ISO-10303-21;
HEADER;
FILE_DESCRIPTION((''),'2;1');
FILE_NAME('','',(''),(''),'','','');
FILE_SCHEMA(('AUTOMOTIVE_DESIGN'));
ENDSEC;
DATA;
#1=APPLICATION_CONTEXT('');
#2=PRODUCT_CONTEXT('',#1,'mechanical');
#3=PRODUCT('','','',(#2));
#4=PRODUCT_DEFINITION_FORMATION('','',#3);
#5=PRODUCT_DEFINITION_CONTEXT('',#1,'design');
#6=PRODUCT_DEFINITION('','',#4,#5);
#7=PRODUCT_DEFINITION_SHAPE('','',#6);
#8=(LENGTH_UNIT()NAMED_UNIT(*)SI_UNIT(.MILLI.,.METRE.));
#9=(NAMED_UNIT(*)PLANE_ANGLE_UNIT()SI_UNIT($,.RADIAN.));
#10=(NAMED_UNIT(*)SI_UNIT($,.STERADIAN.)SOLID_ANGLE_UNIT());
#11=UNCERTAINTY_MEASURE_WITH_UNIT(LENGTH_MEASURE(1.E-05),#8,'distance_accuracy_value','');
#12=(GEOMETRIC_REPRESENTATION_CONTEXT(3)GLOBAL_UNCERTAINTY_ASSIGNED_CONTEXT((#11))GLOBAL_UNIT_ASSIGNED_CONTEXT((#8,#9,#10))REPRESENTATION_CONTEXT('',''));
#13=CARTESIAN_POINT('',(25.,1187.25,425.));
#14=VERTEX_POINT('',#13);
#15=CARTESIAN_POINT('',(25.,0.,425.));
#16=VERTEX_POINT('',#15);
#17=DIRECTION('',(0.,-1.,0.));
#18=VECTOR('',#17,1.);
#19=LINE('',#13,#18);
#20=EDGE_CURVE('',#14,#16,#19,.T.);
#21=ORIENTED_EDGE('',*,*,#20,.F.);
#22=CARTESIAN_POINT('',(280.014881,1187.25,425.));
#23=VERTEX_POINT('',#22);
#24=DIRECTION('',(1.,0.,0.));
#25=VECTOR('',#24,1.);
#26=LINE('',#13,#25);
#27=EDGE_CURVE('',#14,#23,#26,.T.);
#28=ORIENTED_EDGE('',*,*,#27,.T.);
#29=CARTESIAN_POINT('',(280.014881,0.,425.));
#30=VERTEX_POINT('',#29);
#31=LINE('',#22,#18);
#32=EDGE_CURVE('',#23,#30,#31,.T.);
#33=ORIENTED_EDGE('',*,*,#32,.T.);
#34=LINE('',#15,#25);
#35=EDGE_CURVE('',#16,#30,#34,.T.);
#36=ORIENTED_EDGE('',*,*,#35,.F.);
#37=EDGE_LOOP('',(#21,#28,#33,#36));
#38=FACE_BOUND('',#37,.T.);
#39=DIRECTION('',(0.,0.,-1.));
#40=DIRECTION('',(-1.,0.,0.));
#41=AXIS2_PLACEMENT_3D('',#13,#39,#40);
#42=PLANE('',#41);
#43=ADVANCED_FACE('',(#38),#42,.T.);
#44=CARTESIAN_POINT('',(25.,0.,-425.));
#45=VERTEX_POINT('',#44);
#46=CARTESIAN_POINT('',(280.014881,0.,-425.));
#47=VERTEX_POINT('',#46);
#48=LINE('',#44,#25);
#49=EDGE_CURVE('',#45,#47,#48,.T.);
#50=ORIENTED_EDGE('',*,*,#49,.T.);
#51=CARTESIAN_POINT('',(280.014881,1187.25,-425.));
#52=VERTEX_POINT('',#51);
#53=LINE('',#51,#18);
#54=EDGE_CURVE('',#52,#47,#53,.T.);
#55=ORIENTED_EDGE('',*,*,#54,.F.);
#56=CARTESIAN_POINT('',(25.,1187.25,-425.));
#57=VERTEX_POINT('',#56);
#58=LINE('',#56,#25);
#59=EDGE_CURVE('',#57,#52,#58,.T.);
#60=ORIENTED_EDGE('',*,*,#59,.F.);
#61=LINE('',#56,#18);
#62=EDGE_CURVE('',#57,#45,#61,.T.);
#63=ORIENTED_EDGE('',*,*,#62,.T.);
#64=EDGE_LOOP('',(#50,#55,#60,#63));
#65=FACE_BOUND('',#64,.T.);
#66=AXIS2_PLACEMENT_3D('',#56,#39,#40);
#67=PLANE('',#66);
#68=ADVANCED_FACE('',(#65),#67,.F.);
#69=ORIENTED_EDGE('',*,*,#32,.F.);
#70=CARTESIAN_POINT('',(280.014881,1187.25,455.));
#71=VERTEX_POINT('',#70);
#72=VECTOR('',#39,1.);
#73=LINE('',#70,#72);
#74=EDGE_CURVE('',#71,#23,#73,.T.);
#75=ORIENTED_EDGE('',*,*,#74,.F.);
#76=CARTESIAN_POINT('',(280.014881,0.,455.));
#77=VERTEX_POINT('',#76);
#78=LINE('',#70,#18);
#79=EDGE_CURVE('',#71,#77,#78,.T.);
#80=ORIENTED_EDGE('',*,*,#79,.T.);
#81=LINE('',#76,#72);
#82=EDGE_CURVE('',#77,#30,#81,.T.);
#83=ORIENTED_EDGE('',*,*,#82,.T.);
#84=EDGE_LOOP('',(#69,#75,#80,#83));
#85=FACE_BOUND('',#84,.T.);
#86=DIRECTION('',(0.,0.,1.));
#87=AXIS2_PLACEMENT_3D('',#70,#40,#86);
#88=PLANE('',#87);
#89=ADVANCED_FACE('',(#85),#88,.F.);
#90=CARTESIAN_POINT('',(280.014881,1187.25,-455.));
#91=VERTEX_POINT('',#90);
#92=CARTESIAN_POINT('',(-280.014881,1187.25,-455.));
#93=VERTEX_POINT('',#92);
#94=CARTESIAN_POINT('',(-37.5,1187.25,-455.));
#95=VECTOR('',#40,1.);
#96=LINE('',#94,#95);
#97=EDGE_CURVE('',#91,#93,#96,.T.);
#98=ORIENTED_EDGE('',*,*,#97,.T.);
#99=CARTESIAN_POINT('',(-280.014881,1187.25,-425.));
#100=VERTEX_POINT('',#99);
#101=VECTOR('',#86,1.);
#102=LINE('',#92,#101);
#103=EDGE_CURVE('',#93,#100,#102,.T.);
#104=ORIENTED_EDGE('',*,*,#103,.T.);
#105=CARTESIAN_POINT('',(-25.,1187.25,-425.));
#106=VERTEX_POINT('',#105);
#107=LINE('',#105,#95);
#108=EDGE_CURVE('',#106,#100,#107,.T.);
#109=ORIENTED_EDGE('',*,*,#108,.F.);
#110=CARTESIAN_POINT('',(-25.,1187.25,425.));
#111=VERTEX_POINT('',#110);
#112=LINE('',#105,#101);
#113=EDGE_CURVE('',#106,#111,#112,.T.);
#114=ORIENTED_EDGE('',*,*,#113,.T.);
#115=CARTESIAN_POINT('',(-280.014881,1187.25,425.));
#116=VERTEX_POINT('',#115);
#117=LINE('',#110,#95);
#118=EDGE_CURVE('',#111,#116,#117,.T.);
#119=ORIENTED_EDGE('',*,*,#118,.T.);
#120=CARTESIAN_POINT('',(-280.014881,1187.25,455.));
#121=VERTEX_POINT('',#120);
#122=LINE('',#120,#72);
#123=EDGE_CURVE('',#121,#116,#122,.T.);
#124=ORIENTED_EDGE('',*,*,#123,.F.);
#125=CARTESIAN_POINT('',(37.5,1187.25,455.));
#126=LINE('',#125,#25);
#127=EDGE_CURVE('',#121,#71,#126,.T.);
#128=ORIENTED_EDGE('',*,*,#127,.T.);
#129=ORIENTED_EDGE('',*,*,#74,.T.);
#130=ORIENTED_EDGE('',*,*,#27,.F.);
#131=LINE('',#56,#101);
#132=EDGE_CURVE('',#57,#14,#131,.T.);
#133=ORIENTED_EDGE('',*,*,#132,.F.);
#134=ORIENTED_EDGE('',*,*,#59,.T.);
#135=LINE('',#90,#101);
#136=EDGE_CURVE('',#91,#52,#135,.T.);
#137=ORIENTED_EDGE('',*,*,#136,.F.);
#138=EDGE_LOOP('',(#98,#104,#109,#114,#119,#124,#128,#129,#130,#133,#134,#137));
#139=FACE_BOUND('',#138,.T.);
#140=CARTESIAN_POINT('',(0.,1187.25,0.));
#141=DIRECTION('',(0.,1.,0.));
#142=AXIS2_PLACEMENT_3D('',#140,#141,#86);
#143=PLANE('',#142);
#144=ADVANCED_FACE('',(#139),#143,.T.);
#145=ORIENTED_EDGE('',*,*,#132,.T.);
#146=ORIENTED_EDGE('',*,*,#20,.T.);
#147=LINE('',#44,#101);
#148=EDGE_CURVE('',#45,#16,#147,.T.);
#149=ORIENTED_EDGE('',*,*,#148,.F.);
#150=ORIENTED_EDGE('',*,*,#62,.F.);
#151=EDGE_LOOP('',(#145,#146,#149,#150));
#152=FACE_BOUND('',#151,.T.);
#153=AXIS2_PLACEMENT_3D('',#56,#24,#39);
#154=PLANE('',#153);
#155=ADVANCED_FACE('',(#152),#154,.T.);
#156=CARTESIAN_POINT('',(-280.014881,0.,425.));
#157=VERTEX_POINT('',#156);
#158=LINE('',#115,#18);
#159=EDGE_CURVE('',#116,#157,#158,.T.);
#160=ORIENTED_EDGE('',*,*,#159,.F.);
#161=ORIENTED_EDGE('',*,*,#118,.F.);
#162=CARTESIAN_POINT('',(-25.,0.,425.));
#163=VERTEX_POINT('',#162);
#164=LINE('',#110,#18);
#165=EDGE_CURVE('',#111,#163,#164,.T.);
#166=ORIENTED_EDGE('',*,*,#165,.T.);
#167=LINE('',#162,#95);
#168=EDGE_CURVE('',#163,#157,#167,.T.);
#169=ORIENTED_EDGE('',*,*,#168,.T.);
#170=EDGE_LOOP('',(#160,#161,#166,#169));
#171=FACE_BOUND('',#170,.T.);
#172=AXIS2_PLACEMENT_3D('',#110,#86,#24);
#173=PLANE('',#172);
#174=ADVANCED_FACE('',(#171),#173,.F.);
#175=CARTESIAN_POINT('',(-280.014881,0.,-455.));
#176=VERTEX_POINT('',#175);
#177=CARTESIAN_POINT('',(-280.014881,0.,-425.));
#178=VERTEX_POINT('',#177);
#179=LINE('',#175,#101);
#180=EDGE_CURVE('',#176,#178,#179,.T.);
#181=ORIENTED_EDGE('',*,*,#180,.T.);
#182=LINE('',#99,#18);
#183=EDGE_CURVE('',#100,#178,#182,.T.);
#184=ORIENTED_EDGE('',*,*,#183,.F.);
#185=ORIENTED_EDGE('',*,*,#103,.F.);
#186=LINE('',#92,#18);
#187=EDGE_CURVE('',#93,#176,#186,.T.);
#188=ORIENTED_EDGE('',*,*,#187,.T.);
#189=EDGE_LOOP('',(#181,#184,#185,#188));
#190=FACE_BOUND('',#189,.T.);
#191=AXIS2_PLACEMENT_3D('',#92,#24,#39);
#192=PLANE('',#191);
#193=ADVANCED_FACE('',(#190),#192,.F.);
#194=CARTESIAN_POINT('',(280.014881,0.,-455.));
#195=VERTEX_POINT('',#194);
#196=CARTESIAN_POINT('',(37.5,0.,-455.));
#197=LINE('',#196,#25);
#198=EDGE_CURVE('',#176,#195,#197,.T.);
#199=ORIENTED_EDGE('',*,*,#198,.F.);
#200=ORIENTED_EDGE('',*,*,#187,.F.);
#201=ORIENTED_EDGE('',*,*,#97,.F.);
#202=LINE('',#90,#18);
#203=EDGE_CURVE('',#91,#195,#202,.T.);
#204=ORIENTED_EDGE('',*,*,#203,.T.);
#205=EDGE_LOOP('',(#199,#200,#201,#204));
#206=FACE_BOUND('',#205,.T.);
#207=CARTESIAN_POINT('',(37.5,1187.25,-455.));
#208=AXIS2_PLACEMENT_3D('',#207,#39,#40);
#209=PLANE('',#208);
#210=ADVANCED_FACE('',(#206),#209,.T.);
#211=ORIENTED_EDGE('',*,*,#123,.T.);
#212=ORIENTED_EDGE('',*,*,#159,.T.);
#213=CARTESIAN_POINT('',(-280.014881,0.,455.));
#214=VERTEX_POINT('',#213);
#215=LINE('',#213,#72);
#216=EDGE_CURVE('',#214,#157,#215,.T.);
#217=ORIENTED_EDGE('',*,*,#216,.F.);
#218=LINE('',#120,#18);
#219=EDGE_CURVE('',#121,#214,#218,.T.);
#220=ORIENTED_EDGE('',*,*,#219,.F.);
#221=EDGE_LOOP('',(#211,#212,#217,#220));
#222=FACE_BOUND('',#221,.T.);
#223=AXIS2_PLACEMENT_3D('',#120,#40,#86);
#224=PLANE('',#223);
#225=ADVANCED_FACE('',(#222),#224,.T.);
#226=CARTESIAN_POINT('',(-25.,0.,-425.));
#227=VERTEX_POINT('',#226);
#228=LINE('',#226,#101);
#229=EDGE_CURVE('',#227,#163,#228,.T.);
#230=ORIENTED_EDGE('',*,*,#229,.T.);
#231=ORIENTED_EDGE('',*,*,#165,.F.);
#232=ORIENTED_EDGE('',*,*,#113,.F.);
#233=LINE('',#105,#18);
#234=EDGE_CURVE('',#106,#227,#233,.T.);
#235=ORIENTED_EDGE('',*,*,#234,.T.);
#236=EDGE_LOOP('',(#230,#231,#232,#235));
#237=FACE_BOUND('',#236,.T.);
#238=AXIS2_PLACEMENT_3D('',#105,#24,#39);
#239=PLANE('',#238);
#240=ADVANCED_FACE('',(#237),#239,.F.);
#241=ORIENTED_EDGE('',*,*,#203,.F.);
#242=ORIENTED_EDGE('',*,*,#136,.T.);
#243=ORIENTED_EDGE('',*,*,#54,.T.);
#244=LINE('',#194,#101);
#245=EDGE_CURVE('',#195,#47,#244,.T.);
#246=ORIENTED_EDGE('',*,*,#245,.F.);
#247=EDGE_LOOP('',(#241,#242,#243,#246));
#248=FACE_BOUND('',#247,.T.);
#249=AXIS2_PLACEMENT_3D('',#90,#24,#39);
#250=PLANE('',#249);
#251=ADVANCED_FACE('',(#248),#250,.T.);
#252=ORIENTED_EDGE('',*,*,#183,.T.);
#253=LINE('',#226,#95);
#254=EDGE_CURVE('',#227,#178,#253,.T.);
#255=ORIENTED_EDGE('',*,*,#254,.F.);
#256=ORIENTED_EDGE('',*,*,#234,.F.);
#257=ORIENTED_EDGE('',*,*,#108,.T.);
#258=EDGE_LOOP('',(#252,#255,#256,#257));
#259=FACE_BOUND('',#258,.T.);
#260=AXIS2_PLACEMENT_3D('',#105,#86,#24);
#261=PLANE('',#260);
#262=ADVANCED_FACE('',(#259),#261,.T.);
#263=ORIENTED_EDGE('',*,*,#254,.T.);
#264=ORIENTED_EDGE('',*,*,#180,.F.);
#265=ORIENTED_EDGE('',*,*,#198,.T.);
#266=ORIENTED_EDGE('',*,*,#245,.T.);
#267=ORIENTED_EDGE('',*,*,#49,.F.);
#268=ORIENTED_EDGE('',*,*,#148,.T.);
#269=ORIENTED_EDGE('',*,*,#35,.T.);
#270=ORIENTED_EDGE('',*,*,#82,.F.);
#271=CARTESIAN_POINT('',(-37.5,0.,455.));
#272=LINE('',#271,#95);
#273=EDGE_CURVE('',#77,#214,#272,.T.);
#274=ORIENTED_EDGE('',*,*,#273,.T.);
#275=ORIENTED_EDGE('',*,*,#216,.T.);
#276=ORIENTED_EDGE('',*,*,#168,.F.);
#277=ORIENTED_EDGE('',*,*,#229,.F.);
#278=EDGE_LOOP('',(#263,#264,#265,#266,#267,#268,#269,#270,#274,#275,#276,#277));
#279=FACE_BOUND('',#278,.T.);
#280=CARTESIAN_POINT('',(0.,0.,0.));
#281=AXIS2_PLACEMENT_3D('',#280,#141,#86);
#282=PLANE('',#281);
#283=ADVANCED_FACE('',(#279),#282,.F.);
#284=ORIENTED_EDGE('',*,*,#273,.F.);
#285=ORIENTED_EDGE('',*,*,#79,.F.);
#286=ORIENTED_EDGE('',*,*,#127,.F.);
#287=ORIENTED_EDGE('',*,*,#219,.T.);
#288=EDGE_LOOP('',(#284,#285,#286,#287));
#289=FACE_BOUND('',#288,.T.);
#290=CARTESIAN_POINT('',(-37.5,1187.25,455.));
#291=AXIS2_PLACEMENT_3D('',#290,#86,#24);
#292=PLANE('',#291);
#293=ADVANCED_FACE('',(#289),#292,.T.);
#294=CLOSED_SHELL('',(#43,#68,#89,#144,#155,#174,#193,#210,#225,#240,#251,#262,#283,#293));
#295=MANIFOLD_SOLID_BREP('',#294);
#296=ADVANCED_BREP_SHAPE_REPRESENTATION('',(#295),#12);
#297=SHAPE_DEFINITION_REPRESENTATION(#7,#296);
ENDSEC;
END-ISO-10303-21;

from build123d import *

# Parameters (mm, degrees)
BOSS_EXTRUDE2_DEPTH = 1187.25


with BuildPart() as part:
    # Sketch1 → Boss-Extrude2 (new body)
    with BuildSketch(Plane(origin=(0, 0, 0), x_dir=(1, 0, 0), z_dir=(0, 1, 0))):
        Polygon((-37.5, 455), (37.5, 455), (280.014880557, 455), (280.014880557, 425), (25, 425), (25, -425), (280.014880557, -425), (280.014880557, -455), (37.5, -455), (-37.5, -455), (-280.014880557, -455), (-280.014880557, -425), (-25, -425), (-25, 425), (-280.014880557, 425), (-280.014880557, 455), align=None)
    extrude(amount=BOSS_EXTRUDE2_DEPTH)


solid = part.part
